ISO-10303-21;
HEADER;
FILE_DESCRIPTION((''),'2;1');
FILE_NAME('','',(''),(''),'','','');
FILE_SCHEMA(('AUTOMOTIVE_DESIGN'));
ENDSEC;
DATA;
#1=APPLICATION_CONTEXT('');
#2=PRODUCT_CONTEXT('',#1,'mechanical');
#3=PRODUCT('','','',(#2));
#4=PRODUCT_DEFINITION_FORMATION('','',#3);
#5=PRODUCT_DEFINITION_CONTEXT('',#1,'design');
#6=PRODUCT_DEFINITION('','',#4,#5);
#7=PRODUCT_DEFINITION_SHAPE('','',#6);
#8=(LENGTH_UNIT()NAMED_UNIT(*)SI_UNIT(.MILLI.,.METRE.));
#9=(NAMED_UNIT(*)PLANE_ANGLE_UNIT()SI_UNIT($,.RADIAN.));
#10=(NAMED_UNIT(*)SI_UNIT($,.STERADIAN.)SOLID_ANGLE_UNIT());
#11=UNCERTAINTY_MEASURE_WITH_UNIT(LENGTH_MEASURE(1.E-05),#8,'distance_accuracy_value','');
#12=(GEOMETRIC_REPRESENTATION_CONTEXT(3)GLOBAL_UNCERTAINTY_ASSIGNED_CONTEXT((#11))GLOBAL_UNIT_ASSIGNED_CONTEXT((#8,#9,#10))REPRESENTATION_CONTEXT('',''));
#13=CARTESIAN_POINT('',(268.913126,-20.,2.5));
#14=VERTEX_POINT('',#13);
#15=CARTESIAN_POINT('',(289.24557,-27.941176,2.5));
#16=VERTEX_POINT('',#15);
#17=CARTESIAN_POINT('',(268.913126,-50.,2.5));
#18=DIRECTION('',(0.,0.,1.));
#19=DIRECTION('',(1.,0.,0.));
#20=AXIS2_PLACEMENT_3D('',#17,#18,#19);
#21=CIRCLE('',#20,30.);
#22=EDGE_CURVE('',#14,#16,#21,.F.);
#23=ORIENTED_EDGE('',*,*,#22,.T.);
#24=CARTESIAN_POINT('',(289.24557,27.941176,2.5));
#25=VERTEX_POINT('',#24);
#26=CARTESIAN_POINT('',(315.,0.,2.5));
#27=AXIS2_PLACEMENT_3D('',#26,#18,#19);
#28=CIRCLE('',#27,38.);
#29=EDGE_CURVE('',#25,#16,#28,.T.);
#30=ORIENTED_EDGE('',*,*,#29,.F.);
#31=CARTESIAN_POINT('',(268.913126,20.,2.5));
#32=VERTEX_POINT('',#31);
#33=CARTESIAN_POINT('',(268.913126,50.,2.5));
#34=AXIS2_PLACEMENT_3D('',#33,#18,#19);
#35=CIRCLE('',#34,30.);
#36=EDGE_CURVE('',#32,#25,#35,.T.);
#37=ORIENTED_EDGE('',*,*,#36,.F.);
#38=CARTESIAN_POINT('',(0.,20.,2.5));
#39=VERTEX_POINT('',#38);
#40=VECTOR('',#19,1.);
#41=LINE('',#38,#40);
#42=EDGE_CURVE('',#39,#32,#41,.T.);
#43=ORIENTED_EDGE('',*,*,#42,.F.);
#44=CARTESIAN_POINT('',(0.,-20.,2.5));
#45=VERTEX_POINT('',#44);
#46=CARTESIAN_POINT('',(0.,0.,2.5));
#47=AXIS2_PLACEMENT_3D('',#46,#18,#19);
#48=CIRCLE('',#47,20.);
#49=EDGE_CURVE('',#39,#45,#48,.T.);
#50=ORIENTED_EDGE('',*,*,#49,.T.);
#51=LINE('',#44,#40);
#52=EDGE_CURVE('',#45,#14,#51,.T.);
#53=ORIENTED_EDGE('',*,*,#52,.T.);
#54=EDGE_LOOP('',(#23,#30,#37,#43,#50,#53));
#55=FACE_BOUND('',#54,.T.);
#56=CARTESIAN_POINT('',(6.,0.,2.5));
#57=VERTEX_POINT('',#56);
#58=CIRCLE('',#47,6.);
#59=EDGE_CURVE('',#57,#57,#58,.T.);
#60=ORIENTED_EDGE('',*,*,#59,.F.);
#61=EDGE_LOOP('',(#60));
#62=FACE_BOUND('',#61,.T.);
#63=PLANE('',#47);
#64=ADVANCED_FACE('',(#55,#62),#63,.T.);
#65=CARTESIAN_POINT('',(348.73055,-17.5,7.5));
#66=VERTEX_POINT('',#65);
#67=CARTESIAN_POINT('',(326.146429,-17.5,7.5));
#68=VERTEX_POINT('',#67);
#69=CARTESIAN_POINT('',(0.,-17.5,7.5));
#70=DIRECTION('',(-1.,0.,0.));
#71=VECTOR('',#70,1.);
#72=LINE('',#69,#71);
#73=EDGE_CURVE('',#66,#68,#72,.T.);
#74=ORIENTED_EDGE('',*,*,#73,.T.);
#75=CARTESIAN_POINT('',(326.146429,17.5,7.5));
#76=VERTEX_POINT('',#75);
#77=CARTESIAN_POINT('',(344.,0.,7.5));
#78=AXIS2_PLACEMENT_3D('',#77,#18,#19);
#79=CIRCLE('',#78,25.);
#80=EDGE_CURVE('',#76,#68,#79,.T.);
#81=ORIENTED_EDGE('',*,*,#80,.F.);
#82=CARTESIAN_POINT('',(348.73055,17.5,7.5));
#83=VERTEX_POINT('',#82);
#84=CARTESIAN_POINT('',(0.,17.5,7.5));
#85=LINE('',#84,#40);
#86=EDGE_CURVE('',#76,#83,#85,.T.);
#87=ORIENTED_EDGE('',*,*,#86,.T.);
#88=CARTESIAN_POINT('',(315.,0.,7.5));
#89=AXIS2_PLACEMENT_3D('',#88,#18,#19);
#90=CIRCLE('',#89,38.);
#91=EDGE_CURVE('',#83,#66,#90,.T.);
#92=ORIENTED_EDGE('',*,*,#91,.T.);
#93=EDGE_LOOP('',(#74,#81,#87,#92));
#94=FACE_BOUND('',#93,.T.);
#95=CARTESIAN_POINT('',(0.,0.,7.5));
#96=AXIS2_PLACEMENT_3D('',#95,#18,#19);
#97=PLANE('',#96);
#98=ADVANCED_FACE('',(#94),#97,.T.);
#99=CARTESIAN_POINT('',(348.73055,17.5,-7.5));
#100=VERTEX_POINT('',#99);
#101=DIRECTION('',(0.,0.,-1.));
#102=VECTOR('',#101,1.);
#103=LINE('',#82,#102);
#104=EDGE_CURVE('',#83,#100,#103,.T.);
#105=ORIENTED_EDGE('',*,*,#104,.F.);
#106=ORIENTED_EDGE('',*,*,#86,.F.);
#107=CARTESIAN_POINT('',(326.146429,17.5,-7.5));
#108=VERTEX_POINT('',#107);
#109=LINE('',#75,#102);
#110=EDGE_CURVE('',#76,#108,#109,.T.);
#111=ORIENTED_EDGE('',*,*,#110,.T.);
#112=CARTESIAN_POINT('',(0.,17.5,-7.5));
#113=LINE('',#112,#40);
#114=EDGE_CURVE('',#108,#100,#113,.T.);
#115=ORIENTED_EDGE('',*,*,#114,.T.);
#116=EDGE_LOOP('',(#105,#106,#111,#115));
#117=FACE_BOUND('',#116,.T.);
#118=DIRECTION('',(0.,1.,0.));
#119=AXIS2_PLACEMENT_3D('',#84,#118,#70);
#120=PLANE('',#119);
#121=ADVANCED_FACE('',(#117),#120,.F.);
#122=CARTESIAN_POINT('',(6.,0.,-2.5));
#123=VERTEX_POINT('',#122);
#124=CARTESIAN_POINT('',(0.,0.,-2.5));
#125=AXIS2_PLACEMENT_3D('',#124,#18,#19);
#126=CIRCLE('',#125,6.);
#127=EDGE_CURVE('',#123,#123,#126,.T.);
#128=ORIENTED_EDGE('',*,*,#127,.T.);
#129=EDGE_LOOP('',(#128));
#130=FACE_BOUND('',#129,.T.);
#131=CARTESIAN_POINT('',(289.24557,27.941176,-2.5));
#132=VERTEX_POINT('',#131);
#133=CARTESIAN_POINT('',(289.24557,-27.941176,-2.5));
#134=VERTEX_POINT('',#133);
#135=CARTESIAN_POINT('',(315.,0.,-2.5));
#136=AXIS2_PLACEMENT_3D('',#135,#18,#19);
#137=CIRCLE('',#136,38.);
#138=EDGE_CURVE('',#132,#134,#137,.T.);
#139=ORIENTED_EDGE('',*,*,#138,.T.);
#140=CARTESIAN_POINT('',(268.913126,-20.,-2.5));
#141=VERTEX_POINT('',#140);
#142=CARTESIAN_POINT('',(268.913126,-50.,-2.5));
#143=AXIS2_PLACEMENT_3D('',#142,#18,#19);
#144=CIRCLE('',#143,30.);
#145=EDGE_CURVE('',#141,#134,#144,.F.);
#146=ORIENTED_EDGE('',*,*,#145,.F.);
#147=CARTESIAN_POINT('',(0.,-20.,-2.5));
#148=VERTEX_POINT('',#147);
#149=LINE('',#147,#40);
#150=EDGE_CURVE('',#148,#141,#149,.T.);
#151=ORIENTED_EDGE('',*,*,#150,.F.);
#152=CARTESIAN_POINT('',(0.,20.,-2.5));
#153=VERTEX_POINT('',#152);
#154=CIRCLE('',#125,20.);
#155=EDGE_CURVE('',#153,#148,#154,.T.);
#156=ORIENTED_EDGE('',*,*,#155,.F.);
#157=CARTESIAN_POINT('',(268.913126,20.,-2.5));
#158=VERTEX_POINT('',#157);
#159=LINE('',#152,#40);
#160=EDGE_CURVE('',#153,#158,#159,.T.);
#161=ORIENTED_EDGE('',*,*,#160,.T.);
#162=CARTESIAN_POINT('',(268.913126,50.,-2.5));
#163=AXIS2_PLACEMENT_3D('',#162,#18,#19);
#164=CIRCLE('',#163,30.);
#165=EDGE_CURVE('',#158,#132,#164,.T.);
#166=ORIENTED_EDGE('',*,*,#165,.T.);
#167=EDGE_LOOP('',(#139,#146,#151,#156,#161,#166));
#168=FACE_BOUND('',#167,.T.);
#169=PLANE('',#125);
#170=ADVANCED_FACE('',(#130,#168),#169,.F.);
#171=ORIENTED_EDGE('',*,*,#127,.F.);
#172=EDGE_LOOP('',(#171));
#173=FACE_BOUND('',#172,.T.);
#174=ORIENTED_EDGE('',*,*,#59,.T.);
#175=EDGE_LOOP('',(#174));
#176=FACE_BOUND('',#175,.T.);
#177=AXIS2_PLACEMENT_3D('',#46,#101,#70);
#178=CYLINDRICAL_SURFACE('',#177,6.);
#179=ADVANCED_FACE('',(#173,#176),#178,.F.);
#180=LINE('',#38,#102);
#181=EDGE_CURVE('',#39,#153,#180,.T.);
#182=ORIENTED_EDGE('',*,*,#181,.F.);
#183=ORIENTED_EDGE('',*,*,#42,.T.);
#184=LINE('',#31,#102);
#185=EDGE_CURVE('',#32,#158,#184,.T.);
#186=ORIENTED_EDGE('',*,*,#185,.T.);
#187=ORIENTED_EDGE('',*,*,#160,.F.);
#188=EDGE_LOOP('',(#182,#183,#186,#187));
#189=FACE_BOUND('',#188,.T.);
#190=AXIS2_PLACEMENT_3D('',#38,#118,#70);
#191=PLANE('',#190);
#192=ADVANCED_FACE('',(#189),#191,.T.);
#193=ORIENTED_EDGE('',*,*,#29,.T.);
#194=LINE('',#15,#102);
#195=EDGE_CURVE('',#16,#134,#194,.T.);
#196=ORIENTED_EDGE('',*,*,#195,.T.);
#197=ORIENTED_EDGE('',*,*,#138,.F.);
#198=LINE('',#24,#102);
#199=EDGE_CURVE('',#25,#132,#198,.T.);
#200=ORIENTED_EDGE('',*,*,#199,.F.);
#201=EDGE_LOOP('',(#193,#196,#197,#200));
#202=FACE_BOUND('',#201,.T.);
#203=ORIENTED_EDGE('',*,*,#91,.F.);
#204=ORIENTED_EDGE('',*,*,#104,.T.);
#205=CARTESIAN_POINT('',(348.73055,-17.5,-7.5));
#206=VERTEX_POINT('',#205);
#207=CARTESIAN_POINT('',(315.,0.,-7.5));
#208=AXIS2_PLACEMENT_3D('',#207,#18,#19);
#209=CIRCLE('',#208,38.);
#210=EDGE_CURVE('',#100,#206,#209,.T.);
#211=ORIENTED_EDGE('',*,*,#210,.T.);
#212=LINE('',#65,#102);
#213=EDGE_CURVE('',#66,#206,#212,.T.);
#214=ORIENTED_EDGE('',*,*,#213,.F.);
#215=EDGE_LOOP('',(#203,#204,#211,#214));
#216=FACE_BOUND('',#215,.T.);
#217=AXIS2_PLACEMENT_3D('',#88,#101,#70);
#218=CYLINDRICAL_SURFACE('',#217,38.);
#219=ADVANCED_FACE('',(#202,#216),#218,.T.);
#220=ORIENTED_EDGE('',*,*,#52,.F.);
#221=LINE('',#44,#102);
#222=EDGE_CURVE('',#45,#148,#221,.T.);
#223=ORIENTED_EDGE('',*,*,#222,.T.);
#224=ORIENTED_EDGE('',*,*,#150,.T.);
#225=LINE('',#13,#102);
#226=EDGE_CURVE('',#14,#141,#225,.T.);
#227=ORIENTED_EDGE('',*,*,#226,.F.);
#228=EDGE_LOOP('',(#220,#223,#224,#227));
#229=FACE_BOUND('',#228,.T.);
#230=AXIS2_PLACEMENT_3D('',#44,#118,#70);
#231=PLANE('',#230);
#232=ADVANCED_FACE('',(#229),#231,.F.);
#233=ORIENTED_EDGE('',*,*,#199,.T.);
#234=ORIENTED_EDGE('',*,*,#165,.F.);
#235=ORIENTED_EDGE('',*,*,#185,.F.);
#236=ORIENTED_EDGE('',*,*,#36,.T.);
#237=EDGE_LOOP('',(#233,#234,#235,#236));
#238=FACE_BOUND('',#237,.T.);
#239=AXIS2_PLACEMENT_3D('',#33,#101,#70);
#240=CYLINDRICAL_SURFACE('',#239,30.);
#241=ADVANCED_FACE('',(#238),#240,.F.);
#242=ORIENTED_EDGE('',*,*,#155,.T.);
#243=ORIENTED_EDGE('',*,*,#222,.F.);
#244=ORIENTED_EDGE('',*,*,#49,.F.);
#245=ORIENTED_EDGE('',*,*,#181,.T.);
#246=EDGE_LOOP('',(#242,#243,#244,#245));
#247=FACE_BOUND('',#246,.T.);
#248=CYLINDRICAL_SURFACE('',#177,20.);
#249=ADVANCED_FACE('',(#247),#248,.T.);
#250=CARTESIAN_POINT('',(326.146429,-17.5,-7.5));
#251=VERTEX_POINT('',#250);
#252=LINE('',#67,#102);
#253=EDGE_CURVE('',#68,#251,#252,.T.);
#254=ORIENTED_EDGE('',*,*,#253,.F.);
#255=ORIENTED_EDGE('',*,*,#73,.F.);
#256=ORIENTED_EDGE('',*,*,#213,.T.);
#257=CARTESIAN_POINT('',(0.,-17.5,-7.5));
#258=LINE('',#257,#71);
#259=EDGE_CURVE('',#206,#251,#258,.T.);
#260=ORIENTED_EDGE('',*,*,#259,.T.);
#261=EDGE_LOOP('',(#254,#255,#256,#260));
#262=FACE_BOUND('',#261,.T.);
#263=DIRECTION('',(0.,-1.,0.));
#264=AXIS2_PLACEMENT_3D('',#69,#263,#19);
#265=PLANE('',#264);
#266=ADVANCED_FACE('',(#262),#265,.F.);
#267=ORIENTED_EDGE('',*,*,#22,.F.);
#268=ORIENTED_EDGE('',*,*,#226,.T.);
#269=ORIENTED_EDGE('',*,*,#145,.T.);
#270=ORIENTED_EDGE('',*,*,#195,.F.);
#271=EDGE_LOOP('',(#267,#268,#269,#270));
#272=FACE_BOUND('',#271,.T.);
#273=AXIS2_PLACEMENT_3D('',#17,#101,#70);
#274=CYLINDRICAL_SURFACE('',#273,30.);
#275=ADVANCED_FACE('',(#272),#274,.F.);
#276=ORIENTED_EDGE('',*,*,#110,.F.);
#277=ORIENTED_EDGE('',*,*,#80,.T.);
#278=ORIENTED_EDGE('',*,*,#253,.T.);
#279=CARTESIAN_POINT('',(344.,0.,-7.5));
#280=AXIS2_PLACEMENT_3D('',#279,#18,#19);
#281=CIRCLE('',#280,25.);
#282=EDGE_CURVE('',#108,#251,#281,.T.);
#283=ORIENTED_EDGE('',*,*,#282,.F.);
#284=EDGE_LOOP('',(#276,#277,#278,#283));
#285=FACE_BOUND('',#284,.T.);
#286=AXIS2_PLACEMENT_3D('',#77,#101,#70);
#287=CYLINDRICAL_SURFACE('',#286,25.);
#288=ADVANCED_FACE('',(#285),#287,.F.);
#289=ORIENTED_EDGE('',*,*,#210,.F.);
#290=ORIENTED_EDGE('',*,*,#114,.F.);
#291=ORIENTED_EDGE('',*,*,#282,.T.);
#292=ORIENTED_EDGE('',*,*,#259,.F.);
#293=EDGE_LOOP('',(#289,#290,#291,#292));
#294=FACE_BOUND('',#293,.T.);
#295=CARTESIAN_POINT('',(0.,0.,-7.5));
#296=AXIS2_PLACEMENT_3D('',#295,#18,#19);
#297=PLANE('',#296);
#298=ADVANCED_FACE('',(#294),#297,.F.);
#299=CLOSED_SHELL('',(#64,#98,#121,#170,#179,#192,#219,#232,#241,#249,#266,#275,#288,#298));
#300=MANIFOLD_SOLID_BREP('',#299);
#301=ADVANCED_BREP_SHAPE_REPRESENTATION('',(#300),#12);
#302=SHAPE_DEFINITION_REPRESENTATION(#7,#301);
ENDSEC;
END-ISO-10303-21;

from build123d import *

# Parameters (mm, degrees)
SKETCH1_R           = 6
BOSS_EXTRUDE1_DEPTH = 2.5
BOSS_EXTRUDE2_DEPTH = 7.5


with BuildPart() as part:
    # Sketch1 → Boss-Extrude1 (new, symmetric)
    with BuildSketch(Plane.XY):
        with BuildLine():
            Line((268.913125513, 20), (0, 20))
            ThreePointArc((0, 20), (-20, 0), (0, -20))
            Line((0, -20), (268.913125513, -20))
            ThreePointArc((268.913125513, -20), (279.827228639, -22.055727726), (289.245570139, -27.941176471))
            ThreePointArc((289.245570139, -27.941176471), (277, 0), (289.245570139, 27.941176471))
            ThreePointArc((289.245570139, 27.941176471), (279.827228639, 22.055727726), (268.913125513, 20))
        make_face()
        Circle(SKETCH1_R, mode=Mode.SUBTRACT)
    extrude(amount=BOSS_EXTRUDE1_DEPTH, both=True)

    # Sketch1<3> → Boss-Extrude2 (add, symmetric)
    with BuildSketch(Plane.XY):
        with BuildLine():
            Line((348.730549951, -17.5), (326.146428929, -17.5))
            ThreePointArc((326.146428929, -17.5), (319, 0), (326.146428929, 17.5))
            Line((326.146428929, 17.5), (348.730549951, 17.5))
            ThreePointArc((348.730549951, 17.5), (277, 0), (348.730549951, -17.5))
        make_face()
    extrude(amount=BOSS_EXTRUDE2_DEPTH, both=True)


solid = part.part
